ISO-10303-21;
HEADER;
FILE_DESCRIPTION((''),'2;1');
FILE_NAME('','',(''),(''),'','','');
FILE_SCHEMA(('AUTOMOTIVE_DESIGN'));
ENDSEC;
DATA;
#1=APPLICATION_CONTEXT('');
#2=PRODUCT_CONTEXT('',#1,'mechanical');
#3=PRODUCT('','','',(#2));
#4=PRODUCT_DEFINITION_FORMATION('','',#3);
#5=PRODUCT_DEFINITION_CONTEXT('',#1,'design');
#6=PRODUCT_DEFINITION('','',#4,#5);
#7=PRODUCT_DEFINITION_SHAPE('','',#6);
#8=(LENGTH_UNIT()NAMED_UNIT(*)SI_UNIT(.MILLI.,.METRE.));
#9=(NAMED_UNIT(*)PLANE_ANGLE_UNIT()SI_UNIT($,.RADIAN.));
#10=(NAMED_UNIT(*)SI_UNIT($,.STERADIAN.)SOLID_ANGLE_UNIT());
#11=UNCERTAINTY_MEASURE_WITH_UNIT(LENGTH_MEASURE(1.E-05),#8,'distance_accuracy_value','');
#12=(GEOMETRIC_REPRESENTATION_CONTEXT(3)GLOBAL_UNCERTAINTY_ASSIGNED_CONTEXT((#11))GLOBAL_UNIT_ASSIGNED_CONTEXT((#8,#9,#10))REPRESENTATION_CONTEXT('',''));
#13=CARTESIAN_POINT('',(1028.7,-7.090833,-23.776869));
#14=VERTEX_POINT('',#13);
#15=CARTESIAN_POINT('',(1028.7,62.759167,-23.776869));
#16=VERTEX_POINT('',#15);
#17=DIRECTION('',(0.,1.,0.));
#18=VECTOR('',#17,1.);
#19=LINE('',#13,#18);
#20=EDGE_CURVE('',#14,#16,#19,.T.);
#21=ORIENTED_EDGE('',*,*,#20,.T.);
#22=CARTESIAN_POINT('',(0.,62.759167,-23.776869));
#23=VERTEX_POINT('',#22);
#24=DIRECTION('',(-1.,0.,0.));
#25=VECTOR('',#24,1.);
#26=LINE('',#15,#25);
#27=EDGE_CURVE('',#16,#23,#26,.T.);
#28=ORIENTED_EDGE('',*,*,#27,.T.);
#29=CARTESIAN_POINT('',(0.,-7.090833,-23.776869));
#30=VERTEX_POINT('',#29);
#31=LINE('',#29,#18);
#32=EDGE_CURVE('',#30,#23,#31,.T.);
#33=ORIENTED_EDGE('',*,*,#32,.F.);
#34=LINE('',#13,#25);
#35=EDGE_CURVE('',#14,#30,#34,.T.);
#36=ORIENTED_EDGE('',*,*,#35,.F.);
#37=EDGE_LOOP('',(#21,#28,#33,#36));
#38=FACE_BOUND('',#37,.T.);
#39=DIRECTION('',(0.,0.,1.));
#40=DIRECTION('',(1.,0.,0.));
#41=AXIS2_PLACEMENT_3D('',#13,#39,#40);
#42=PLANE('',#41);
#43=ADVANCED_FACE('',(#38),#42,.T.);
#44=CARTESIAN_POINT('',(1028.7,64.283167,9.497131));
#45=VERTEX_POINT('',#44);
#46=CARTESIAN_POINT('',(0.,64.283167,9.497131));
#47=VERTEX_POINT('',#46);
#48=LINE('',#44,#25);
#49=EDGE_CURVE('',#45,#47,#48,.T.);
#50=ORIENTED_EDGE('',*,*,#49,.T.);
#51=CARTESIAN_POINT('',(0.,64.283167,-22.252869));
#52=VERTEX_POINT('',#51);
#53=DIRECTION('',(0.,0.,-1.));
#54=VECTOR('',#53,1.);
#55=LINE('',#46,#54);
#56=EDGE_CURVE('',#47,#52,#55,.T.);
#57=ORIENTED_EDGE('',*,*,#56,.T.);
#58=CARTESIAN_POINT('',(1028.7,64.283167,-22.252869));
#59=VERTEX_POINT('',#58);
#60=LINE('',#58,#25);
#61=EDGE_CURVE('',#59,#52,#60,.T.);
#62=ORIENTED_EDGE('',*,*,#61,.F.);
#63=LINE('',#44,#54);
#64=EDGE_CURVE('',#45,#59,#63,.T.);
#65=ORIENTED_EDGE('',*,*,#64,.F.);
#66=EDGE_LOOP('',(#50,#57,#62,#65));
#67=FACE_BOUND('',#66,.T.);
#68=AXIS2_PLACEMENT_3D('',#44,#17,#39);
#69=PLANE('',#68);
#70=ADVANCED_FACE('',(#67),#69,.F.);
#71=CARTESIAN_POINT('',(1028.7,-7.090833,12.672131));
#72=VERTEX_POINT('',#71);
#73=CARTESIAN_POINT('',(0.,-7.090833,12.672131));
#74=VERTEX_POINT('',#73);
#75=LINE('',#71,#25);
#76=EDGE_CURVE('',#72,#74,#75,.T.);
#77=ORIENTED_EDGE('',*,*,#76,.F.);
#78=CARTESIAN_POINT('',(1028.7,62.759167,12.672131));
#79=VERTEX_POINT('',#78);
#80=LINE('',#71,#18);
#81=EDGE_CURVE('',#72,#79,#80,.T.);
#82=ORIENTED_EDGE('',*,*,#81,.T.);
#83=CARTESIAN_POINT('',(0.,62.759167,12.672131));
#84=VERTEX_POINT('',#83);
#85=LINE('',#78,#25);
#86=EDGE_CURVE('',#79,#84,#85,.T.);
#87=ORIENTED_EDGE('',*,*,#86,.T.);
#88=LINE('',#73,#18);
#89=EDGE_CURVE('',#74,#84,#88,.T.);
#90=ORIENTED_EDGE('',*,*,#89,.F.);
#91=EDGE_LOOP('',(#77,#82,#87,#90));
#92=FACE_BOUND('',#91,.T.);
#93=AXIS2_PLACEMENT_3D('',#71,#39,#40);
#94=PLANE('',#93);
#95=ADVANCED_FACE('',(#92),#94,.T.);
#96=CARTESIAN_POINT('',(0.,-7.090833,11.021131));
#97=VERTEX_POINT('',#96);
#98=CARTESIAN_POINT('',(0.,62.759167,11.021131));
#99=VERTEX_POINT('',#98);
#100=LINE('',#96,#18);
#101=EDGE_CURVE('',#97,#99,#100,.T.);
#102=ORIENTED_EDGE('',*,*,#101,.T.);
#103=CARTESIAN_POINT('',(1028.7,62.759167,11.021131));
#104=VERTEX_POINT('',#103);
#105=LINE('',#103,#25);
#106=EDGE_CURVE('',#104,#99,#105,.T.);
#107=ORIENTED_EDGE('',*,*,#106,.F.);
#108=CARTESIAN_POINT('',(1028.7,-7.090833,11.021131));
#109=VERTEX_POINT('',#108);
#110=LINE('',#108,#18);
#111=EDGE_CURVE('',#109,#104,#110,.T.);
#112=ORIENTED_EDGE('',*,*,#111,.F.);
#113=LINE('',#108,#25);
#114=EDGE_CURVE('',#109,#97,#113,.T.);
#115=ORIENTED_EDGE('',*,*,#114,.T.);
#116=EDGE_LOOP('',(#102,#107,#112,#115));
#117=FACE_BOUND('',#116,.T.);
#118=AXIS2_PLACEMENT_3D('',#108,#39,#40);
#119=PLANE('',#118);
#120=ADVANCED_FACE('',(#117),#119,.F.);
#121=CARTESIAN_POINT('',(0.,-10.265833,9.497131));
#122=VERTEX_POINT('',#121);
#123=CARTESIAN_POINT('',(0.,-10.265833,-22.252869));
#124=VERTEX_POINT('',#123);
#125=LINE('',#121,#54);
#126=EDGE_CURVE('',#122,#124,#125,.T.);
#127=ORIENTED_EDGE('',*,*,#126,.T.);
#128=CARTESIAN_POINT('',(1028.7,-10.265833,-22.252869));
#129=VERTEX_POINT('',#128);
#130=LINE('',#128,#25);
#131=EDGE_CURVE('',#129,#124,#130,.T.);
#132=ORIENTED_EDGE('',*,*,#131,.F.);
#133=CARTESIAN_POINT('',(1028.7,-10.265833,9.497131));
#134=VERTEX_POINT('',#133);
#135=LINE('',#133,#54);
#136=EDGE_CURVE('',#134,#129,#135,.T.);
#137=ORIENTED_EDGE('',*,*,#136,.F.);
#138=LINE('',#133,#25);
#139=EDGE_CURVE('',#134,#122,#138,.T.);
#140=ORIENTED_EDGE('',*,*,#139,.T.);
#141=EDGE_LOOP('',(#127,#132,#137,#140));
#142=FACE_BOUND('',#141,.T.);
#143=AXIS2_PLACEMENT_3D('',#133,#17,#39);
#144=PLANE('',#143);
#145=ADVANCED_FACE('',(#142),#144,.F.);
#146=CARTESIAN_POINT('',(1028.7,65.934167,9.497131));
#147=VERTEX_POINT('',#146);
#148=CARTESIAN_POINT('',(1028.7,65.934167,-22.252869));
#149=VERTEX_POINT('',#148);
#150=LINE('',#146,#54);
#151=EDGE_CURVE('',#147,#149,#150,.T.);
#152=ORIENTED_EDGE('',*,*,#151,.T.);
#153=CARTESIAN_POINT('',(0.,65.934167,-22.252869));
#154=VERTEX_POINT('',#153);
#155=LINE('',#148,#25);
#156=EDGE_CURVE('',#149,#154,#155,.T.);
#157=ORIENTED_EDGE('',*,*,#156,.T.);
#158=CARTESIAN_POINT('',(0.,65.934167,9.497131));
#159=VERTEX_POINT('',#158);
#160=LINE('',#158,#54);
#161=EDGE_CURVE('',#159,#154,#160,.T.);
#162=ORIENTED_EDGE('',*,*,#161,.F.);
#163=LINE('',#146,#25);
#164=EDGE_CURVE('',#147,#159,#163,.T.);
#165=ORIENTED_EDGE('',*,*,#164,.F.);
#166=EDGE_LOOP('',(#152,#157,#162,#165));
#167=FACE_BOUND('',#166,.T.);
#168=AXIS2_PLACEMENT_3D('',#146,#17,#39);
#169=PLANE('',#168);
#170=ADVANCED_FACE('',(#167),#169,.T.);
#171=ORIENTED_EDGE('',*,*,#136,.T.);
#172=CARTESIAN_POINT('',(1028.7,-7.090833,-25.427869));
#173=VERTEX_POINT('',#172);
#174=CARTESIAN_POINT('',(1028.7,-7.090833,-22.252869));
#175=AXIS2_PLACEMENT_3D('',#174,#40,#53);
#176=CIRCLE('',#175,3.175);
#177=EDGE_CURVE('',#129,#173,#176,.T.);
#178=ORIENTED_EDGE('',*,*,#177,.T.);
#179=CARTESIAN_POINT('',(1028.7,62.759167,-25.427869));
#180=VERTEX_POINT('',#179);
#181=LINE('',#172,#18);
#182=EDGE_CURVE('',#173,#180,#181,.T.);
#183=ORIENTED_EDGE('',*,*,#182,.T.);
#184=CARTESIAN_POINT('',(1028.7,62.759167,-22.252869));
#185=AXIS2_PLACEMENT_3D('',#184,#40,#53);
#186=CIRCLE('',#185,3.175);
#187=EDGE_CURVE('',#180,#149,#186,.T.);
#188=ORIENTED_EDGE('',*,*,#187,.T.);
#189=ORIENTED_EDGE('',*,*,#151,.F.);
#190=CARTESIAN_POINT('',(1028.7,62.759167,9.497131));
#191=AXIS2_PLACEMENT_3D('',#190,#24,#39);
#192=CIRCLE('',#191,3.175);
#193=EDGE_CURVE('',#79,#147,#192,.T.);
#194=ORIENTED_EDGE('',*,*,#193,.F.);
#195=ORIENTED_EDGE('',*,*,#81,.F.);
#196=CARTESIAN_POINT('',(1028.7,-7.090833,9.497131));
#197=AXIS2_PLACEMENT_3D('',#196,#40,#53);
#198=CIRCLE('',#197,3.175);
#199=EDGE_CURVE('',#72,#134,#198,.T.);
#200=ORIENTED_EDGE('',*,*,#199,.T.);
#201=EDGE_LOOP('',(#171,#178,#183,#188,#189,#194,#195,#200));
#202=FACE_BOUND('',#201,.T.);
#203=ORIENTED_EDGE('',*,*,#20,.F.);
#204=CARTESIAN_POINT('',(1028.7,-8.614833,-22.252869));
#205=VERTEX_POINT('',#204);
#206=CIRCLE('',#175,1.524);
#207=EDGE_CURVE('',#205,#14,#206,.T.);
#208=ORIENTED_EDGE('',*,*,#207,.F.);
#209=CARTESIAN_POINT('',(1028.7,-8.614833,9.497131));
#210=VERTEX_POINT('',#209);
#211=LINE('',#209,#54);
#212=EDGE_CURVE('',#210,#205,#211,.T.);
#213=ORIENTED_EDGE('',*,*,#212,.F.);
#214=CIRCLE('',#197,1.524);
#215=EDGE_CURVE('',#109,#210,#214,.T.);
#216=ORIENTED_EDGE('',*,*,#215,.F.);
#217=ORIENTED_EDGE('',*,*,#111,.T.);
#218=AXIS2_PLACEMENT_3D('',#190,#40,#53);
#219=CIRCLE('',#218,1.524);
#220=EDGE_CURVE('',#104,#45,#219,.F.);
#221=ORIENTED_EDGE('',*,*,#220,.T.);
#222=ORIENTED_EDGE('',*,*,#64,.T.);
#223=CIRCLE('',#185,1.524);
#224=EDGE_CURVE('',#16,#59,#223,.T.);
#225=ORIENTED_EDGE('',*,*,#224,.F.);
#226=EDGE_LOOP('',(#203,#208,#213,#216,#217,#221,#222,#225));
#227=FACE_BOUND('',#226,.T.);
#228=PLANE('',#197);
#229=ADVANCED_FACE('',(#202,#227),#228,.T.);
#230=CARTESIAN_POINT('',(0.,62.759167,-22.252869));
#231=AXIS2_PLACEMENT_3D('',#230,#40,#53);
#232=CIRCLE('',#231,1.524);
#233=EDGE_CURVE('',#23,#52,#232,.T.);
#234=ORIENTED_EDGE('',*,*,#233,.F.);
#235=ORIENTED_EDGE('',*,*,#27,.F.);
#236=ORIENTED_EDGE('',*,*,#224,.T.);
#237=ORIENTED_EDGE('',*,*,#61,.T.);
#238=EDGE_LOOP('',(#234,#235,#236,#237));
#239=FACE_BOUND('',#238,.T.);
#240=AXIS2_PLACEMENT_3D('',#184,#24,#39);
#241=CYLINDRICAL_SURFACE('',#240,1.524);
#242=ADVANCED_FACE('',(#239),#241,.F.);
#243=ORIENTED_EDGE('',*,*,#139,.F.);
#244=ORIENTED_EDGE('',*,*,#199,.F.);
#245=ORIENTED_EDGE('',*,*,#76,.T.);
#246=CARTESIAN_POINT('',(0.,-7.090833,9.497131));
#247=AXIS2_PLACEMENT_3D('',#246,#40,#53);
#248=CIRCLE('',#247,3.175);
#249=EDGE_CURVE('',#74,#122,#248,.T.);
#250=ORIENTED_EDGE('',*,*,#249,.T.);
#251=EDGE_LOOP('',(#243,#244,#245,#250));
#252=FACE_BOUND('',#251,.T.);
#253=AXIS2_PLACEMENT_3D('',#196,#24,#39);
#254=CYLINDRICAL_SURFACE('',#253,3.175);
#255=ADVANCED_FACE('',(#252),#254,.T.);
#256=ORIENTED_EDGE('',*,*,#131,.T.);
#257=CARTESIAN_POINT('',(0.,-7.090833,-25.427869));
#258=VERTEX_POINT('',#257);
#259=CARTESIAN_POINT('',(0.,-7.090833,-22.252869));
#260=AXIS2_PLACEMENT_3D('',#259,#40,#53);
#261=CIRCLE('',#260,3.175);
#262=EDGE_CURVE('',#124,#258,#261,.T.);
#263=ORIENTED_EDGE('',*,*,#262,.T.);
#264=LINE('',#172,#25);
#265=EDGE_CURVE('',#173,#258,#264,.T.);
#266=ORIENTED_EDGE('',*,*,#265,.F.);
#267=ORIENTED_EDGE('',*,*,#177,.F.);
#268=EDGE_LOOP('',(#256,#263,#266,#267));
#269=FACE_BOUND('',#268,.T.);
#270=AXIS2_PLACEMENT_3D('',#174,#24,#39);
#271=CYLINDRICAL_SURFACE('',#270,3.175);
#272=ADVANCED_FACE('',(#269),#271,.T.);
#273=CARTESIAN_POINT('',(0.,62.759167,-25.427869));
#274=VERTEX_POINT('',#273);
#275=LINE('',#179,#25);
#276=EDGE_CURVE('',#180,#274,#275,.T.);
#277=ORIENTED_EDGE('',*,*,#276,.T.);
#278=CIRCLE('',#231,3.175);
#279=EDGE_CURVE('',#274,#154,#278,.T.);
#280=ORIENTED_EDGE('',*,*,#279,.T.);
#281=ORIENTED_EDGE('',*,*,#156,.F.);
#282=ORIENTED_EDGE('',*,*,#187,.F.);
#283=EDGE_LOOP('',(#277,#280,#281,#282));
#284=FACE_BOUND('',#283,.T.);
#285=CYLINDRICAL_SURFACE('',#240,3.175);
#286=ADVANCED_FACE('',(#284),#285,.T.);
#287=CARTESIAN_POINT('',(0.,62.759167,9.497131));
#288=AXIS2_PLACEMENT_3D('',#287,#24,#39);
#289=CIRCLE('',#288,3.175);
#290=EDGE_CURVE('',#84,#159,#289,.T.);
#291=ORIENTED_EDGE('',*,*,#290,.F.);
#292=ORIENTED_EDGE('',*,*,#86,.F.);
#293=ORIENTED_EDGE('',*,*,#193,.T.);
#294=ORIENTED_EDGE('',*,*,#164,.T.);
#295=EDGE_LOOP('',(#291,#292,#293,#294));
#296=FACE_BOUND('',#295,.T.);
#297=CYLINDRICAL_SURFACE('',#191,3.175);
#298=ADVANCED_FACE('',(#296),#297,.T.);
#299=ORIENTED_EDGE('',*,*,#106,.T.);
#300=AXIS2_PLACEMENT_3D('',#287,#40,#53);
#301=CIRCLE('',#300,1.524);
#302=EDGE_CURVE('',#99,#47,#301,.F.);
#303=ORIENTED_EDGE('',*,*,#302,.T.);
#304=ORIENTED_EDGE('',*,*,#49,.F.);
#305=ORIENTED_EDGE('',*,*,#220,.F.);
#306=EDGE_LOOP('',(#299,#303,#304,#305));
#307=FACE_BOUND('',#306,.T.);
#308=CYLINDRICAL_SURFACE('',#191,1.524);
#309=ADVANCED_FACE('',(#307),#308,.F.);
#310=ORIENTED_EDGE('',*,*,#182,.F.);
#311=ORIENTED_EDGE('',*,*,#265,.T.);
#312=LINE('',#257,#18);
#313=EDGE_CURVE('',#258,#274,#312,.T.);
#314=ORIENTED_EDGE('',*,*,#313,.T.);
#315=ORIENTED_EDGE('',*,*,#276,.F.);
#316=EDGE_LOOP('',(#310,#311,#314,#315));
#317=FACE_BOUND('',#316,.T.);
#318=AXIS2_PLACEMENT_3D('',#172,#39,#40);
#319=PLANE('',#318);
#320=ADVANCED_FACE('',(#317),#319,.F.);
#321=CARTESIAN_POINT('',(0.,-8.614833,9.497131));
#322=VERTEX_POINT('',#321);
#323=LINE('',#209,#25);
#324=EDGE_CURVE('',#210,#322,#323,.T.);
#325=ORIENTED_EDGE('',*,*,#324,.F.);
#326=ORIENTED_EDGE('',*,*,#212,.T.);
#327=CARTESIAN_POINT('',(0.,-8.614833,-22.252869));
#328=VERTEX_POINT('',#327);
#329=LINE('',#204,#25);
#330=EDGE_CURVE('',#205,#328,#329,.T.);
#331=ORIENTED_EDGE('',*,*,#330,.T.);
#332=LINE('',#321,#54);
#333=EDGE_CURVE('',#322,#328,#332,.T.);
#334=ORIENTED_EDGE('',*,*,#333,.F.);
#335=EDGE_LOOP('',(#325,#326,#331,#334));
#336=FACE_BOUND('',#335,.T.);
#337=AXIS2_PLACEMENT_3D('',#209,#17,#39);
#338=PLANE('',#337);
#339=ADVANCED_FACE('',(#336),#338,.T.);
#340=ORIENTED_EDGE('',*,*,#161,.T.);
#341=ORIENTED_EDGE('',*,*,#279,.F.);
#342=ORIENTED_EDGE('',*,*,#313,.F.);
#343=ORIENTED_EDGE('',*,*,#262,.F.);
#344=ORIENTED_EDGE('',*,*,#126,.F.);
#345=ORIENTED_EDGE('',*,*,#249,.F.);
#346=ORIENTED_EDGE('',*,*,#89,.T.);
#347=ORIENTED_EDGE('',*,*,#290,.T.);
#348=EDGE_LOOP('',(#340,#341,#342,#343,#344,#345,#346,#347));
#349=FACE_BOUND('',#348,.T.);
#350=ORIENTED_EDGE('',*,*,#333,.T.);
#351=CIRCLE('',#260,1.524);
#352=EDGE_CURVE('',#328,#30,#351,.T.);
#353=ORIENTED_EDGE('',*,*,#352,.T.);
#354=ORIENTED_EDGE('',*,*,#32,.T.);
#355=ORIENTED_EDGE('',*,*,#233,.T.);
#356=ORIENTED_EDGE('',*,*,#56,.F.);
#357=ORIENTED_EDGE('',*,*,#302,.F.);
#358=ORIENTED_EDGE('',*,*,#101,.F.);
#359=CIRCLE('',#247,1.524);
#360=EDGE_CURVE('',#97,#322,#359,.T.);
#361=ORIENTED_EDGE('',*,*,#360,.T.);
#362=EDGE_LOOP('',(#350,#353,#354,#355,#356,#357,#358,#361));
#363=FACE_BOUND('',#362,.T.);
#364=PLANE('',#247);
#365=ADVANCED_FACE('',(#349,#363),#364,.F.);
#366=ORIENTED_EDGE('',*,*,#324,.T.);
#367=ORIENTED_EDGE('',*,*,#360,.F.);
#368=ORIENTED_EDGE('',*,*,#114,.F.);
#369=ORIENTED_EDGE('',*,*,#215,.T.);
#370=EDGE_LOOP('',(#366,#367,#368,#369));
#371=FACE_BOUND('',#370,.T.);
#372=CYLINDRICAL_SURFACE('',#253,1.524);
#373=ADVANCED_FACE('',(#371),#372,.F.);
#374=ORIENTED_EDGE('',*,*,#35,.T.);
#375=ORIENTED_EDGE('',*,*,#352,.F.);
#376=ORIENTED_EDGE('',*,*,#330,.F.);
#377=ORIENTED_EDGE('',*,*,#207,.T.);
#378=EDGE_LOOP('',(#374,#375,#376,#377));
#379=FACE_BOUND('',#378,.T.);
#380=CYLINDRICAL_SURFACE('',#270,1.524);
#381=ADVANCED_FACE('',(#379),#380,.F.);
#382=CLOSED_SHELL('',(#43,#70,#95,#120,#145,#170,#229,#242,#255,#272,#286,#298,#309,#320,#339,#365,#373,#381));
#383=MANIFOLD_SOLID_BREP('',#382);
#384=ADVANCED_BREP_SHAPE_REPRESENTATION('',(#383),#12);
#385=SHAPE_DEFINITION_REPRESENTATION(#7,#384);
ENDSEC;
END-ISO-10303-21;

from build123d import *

# Parameters (mm, degrees)
EXTRUDE_THIN2_DEPTH = 1028.7


with BuildPart() as part:
    # Sketch1 → Extrude-Thin2 (new body)
    with BuildSketch(Plane(origin=(0, 0, 0), x_dir=(0, 0, -1), z_dir=(1, 0, 0))):
        with BuildLine():
            Line((22.252869444, 65.934166667), (-9.497130556, 65.934166667))
            ThreePointArc((-9.497130556, 65.934166667), (-11.742194586, 65.004230697), (-12.672130556, 62.759166667))
            Line((-12.672130556, 62.759166667), (-12.672130556, -7.090833333))
            ThreePointArc((-12.672130556, -7.090833333), (-11.742194586, -9.335897364), (-9.497130556, -10.265833333))
            Line((-9.497130556, -10.265833333), (22.252869444, -10.265833333))
            ThreePointArc((22.252869444, -10.265833333), (24.497933475, -9.335897364), (25.427869444, -7.090833333))
            Line((25.427869444, -7.090833333), (25.427869444, 62.759166667))
            ThreePointArc((25.427869444, 62.759166667), (24.497933475, 65.004230697), (22.252869444, 65.934166667))
        make_face()
        with BuildLine():
            Line((22.252869444, 64.283166667), (-9.497130556, 64.283166667))
            ThreePointArc((-9.497130556, 64.283166667), (-10.57476129, 63.836797401), (-11.021130556, 62.759166667))
            Line((-11.021130556, 62.759166667), (-11.021130556, -7.090833333))
            ThreePointArc((-11.021130556, -7.090833333), (-10.57476129, -8.168464068), (-9.497130556, -8.614833333))
            Line((-9.497130556, -8.614833333), (22.252869444, -8.614833333))
            ThreePointArc((22.252869444, -8.614833333), (23.330500179, -8.168464068), (23.776869444, -7.090833333))
            Line((23.776869444, -7.090833333), (23.776869444, 62.759166667))
            ThreePointArc((23.776869444, 62.759166667), (23.330500179, 63.836797401), (22.252869444, 64.283166667))
        make_face(mode=Mode.SUBTRACT)
    extrude(amount=EXTRUDE_THIN2_DEPTH)


solid = part.part
